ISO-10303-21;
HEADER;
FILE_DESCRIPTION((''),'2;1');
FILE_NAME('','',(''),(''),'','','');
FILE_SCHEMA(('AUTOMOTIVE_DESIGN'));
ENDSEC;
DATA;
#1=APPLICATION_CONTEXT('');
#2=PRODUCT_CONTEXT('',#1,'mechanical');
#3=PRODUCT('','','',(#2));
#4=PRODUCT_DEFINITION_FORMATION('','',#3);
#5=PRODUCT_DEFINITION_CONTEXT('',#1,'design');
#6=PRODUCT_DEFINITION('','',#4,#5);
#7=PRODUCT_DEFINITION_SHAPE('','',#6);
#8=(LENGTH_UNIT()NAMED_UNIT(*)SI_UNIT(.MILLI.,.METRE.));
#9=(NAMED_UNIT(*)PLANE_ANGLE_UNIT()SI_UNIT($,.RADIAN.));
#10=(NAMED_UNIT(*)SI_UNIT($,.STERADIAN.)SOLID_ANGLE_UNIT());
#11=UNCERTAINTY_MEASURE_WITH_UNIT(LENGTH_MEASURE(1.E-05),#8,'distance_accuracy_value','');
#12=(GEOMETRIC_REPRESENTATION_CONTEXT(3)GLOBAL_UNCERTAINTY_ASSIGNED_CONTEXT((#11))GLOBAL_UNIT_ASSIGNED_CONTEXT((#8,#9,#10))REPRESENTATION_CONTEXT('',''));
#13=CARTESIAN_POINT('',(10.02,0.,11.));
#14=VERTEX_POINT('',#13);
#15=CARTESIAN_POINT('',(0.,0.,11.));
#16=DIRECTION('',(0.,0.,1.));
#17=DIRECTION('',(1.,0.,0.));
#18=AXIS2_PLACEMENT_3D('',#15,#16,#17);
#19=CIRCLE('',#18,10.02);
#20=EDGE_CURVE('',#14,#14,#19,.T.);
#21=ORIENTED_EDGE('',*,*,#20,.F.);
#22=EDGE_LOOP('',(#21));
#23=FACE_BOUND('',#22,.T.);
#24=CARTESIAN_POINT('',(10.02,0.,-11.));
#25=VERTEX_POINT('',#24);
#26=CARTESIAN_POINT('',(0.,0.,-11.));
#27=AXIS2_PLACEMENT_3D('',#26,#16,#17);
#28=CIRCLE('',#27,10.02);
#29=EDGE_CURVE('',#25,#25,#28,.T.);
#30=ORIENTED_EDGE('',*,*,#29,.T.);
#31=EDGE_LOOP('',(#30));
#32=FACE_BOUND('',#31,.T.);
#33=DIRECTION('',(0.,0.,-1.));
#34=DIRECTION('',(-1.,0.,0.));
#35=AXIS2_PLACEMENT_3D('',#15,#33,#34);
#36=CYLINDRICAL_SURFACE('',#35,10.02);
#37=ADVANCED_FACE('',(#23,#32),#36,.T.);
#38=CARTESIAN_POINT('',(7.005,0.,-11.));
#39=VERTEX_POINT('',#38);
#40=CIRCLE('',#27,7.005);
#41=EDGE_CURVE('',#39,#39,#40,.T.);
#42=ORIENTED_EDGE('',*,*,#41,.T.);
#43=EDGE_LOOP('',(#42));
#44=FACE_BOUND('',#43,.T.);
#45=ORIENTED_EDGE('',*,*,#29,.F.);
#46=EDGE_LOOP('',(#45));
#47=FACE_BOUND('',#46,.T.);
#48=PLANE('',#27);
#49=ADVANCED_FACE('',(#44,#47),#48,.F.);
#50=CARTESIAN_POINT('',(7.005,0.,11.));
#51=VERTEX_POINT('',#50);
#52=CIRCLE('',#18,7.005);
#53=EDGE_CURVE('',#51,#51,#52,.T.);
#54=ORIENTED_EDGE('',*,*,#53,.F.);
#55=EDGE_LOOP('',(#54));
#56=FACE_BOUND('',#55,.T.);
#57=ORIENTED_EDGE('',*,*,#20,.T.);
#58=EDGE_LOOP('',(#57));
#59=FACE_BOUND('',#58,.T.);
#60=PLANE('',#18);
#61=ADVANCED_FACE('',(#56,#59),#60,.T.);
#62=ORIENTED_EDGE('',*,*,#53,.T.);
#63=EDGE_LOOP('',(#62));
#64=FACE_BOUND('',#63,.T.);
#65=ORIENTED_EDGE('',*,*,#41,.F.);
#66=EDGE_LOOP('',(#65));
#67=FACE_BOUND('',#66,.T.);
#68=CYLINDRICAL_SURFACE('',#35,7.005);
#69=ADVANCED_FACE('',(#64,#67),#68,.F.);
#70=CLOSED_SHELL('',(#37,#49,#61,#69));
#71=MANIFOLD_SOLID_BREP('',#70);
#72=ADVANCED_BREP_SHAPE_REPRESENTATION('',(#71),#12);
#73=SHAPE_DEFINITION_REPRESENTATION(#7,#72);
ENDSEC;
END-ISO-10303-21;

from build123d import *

# Parameters (mm, degrees)
SKETCH1_R           = 10.02
SKETCH1_R_2         = 7.005
BOSS_EXTRUDE1_DEPTH = 11


with BuildPart() as part:
    # Sketch1 → Boss-Extrude1 (new, symmetric)
    with BuildSketch(Plane.XY):
        Circle(SKETCH1_R)
        Circle(SKETCH1_R_2, mode=Mode.SUBTRACT)
    extrude(amount=BOSS_EXTRUDE1_DEPTH, both=True)


solid = part.part
